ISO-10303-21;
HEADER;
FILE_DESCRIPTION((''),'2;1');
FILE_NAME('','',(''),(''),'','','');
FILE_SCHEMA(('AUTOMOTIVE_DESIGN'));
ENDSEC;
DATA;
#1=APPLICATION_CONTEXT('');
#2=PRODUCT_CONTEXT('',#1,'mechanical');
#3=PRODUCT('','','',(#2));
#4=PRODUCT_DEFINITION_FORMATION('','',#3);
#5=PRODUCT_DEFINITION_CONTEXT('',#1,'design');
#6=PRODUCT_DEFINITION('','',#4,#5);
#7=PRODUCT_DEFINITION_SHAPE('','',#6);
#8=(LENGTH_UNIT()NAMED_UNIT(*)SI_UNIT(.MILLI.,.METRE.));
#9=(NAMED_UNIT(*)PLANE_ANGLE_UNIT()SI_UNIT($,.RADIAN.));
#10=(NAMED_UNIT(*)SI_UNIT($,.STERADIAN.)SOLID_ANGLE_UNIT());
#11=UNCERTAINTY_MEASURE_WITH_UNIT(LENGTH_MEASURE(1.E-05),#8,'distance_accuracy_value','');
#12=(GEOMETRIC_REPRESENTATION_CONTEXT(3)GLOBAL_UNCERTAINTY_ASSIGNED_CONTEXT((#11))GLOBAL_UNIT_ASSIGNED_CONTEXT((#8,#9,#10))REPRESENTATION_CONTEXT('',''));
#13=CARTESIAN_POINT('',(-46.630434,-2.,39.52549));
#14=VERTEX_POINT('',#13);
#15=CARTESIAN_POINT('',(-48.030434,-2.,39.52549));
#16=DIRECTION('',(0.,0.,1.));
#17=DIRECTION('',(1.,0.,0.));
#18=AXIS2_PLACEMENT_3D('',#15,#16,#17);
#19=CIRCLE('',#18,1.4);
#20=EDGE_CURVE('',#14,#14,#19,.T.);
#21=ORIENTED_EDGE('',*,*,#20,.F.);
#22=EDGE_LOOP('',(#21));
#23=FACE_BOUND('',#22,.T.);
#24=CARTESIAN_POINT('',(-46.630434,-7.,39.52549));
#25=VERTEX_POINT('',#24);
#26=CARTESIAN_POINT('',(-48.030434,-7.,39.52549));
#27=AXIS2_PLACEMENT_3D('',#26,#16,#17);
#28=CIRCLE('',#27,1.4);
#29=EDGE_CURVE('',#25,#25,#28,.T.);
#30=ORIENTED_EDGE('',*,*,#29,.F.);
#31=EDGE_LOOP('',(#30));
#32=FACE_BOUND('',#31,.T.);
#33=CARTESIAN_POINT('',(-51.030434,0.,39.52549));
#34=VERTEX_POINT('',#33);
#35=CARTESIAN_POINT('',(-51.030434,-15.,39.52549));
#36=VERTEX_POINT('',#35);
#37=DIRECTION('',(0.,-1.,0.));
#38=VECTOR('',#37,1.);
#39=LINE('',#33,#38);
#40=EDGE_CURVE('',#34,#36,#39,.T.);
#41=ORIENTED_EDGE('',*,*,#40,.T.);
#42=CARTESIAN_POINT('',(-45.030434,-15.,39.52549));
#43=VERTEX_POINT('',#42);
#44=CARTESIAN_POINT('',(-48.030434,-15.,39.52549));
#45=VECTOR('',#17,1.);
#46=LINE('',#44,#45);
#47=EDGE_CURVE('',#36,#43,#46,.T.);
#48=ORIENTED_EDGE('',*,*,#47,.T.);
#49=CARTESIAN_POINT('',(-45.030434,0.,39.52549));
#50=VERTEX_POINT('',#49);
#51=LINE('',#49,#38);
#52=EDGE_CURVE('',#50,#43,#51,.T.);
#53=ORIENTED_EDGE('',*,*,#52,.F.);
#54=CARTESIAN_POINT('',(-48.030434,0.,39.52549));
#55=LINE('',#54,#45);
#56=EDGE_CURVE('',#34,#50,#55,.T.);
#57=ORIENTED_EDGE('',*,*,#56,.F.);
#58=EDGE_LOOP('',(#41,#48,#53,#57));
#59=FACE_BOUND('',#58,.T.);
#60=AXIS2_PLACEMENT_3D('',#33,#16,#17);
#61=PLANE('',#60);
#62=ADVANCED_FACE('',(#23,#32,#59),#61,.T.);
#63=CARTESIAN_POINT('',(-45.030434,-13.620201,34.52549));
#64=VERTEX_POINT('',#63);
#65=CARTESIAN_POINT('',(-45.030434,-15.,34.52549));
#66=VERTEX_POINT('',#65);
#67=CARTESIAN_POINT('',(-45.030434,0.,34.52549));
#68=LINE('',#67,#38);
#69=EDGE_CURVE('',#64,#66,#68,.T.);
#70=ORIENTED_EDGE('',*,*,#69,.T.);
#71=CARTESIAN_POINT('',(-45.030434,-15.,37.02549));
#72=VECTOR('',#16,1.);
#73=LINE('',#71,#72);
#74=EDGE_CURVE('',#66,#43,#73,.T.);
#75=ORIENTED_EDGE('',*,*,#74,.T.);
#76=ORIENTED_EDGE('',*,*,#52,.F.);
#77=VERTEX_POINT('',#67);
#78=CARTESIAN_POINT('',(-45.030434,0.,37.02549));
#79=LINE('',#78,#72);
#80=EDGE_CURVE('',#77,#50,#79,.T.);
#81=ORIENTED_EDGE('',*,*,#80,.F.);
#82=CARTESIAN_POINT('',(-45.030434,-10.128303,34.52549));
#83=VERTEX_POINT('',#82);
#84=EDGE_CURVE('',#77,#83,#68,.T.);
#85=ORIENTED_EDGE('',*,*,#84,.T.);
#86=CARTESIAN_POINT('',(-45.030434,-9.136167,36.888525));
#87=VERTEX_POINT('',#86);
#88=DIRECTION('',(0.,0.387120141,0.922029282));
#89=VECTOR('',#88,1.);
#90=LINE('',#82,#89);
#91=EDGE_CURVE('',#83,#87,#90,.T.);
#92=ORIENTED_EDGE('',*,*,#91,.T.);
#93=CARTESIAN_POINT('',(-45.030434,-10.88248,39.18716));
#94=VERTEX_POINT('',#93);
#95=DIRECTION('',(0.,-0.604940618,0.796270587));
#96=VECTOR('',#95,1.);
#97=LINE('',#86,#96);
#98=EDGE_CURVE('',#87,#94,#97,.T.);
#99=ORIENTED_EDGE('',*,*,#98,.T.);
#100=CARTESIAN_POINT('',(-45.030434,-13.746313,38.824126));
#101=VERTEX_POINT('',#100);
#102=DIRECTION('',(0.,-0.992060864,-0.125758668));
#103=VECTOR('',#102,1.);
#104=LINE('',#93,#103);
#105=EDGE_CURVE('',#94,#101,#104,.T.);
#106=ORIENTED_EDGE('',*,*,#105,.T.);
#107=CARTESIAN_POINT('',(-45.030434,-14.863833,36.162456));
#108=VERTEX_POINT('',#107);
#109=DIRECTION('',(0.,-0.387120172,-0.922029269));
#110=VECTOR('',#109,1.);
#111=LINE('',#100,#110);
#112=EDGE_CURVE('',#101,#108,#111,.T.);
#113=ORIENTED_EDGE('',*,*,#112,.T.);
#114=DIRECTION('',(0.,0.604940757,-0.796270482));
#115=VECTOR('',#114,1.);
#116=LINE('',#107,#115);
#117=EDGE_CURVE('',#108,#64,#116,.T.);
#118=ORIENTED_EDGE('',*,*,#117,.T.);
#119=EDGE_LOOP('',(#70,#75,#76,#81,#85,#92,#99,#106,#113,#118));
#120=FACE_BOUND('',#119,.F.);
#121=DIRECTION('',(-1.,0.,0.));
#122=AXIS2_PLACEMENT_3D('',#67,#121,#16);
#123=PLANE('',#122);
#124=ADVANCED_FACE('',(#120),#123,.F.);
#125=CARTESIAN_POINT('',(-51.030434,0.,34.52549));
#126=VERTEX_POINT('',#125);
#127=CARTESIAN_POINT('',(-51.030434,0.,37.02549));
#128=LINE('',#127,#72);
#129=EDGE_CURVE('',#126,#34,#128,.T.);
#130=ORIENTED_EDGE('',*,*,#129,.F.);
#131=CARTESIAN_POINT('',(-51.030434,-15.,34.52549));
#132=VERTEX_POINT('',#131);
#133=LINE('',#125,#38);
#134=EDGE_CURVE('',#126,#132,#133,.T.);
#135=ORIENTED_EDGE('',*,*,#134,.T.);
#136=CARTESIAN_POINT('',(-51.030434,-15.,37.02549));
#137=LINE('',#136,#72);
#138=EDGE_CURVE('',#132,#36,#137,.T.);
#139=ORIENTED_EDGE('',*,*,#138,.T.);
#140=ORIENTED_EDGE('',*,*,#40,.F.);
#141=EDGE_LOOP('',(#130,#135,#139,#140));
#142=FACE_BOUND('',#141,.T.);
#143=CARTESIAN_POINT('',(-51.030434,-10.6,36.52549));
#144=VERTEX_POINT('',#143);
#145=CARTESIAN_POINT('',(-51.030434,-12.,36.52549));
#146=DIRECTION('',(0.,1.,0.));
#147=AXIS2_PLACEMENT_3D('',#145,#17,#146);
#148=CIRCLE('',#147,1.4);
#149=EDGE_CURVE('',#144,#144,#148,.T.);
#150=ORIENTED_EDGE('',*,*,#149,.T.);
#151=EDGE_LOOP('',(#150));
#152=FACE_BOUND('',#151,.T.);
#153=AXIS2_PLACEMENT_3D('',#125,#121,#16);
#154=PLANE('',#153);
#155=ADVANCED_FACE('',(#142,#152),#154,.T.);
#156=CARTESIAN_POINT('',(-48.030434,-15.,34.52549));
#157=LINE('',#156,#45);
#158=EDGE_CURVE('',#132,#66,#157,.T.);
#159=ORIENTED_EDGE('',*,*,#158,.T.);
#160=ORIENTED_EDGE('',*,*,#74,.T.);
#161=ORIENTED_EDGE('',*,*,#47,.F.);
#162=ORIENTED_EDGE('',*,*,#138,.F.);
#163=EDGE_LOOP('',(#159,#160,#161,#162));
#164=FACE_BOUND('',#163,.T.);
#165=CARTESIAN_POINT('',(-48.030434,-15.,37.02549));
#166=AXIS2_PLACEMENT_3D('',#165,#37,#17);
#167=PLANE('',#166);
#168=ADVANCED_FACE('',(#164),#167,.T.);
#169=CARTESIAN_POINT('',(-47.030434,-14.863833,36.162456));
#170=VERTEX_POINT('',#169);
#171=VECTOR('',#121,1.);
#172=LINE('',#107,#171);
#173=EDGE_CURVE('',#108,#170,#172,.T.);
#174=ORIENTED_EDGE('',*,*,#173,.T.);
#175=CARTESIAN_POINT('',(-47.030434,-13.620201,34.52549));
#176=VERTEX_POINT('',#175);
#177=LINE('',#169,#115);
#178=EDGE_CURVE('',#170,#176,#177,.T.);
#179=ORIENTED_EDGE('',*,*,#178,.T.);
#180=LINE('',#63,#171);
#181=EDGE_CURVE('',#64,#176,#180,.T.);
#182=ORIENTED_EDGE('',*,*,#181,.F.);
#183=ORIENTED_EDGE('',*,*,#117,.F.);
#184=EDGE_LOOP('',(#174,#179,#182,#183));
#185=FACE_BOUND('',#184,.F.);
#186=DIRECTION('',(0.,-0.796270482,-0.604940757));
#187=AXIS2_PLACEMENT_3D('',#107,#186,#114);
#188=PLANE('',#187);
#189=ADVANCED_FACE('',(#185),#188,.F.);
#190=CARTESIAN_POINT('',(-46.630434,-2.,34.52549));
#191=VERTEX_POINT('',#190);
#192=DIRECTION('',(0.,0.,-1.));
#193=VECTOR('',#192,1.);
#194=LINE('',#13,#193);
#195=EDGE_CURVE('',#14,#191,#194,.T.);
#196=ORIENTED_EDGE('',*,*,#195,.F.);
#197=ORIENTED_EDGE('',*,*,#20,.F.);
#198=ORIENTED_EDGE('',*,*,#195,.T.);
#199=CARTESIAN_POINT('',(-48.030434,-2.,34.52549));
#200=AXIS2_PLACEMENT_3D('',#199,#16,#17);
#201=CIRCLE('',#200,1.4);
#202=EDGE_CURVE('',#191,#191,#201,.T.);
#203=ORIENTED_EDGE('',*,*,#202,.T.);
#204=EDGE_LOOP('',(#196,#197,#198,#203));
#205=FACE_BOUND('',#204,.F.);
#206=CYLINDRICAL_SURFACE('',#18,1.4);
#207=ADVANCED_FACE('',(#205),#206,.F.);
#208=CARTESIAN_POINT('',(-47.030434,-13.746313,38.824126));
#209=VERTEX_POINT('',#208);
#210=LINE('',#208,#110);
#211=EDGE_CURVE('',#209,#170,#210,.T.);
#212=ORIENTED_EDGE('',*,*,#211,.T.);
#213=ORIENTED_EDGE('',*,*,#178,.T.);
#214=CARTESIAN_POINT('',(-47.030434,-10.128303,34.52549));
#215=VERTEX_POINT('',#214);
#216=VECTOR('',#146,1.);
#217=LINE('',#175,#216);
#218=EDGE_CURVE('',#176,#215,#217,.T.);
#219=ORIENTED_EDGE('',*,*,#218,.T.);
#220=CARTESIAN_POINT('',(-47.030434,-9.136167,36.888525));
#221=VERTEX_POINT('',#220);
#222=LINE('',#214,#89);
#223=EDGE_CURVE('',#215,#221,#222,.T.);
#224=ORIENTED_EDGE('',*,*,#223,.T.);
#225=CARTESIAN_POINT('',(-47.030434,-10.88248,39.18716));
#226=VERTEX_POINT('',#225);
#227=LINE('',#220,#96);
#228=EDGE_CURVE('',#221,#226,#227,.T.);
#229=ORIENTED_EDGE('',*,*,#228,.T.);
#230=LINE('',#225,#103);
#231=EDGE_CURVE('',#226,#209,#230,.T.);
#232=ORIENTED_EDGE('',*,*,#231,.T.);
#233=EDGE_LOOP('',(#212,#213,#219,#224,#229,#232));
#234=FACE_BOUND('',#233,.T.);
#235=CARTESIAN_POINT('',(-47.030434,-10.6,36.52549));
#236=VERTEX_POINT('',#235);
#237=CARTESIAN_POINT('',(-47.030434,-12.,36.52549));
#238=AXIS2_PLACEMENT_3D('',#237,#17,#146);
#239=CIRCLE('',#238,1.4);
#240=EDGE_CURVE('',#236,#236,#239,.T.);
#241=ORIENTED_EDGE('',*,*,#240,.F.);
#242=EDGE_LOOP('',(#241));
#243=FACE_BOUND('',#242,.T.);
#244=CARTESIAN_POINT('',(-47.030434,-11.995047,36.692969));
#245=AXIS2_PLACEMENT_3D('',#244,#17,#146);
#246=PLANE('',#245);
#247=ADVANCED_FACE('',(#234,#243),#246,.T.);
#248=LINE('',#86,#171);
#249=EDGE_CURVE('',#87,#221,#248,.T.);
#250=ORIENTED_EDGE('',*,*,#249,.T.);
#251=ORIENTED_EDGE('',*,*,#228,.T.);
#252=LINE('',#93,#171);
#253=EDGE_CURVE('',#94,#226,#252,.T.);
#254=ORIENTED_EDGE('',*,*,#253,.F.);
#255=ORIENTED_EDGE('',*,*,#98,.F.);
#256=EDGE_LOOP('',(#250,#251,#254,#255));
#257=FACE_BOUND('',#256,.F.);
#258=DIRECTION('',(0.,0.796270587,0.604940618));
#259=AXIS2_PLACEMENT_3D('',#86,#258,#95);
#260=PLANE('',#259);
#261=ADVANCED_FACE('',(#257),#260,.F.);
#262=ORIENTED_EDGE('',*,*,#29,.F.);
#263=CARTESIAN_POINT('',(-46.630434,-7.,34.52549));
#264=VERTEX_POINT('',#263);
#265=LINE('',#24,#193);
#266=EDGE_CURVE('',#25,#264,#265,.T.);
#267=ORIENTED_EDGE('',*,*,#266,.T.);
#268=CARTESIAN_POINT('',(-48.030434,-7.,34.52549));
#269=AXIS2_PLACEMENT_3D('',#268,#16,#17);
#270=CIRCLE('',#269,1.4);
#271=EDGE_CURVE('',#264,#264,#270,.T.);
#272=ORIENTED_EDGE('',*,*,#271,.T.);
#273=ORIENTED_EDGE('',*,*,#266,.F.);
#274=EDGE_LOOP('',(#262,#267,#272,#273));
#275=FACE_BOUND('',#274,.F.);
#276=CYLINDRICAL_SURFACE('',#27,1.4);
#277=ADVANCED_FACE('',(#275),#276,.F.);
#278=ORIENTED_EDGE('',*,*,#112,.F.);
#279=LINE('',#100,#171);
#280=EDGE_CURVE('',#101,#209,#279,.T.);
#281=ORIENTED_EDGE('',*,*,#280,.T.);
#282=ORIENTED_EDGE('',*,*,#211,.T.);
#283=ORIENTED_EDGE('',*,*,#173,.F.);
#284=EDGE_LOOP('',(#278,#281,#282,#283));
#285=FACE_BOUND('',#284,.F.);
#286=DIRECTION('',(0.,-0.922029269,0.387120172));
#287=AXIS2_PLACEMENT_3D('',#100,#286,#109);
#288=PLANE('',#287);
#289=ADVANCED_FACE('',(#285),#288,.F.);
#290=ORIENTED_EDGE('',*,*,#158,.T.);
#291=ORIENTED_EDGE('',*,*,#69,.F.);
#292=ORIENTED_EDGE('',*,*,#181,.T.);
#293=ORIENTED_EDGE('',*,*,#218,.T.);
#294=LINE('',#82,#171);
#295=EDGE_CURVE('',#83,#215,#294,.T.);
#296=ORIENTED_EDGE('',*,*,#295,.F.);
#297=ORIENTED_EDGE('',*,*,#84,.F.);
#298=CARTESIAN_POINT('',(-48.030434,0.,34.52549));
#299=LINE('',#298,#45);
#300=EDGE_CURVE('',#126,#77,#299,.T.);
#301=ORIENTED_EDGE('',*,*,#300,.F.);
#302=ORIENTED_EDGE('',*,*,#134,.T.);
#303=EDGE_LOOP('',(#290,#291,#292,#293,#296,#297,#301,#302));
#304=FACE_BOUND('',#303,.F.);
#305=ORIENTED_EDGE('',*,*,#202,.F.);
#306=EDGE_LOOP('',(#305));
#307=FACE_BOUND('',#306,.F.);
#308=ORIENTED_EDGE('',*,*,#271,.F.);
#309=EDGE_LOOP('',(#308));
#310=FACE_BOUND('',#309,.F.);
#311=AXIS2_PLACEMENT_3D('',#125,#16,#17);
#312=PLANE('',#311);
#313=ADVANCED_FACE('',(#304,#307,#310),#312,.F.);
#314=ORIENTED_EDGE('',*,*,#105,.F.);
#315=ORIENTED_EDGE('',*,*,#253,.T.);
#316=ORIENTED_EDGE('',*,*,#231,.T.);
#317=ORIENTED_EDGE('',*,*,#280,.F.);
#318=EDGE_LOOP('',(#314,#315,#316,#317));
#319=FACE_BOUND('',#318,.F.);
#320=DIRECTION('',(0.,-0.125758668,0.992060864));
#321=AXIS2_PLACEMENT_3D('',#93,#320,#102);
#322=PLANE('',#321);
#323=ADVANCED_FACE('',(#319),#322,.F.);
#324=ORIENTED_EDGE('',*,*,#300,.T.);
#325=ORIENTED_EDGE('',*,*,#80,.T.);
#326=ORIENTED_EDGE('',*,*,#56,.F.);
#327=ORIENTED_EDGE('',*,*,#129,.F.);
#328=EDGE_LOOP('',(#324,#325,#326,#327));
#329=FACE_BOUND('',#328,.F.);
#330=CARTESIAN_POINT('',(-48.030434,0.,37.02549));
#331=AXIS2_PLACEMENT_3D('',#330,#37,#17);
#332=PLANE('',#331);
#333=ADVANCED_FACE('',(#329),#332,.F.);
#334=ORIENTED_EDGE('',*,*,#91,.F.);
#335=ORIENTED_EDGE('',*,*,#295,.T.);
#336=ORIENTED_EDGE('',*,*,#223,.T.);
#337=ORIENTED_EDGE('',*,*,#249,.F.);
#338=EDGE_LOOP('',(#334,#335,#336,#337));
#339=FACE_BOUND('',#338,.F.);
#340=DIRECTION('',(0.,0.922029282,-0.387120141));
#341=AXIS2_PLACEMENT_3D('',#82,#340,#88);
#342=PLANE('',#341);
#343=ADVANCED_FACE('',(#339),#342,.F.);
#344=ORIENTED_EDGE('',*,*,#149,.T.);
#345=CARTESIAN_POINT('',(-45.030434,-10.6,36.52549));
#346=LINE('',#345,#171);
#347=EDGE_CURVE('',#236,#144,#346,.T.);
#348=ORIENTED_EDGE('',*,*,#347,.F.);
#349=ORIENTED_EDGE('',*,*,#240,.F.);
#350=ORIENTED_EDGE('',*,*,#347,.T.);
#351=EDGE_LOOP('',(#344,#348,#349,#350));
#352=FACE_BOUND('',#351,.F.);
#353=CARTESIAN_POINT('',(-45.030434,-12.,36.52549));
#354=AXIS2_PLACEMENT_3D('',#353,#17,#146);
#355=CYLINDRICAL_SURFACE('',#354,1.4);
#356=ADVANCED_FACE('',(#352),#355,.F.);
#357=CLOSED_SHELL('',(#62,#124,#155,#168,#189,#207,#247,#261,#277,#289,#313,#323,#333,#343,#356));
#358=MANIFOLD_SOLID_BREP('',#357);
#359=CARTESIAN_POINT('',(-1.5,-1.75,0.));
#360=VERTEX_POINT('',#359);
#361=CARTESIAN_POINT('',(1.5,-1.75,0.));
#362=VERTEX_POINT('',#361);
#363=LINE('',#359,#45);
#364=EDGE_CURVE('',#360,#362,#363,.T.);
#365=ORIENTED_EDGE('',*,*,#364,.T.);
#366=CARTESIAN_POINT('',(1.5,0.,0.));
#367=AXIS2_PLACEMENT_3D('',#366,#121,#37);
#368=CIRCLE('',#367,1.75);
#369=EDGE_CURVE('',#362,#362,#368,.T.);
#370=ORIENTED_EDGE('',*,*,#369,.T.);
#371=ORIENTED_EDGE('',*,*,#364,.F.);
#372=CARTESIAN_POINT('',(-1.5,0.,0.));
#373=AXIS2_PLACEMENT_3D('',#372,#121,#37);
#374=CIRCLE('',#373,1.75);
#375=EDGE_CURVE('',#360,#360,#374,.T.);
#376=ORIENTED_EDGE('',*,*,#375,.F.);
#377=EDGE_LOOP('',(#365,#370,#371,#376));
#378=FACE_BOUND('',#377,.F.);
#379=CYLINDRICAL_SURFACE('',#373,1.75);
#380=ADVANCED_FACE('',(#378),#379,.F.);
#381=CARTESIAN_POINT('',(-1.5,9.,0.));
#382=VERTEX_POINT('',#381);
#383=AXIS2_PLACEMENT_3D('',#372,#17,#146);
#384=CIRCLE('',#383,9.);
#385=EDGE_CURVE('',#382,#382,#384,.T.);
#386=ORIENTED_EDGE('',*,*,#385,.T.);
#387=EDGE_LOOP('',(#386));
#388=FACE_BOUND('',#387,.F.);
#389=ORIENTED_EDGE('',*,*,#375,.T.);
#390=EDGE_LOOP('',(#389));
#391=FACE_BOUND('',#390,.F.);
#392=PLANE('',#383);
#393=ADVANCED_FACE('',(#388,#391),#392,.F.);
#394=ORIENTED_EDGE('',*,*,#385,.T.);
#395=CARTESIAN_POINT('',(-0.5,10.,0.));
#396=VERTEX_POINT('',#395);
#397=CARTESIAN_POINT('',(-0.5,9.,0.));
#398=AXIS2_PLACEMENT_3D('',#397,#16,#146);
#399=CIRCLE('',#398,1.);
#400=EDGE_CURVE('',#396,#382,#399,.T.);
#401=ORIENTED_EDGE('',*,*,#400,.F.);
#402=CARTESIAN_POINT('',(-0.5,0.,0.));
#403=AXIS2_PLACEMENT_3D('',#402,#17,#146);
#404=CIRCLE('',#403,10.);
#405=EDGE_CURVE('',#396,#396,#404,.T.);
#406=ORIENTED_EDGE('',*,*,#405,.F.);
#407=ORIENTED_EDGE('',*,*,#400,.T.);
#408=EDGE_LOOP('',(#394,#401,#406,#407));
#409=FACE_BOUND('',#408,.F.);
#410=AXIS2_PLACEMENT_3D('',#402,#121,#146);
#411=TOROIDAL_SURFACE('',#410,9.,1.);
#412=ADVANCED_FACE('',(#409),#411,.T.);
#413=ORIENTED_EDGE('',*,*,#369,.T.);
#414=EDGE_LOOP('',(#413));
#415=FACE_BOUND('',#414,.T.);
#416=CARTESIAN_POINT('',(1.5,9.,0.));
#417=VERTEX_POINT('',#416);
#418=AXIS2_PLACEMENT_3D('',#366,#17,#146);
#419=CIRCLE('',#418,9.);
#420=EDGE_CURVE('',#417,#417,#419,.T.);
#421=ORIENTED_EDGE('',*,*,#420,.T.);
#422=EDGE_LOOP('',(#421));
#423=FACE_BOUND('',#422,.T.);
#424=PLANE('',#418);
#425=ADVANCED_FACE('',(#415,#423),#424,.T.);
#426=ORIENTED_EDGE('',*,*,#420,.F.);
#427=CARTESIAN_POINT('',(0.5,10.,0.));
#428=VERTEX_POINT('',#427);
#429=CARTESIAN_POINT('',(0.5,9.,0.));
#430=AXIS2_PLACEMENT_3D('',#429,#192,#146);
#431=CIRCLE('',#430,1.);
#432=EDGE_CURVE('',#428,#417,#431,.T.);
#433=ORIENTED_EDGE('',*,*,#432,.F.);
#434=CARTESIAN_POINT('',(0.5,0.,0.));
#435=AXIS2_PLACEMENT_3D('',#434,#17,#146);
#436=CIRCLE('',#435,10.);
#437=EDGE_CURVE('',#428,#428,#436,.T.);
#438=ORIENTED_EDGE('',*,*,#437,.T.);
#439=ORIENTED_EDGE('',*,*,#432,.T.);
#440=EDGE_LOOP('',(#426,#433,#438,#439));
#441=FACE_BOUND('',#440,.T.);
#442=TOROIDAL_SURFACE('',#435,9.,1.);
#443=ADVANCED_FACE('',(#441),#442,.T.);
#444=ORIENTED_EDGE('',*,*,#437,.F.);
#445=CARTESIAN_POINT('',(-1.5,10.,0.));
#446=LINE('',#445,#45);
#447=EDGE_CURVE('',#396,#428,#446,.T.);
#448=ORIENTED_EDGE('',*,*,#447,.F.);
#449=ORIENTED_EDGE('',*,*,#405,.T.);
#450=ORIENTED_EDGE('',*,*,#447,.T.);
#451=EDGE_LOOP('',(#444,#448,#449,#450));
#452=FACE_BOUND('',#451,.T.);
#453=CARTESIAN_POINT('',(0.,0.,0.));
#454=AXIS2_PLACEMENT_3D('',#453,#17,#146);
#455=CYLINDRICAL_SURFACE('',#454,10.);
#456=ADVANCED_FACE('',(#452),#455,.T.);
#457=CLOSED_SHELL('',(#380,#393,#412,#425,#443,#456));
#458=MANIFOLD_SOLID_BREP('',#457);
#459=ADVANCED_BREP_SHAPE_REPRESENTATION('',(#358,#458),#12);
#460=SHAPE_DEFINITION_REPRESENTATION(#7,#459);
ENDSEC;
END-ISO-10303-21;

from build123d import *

# Parameters (mm, degrees)
F0_R      = 10
F1_DEPTH  = 1.5
F2_R      = 1.75
F3_DEPTH  = 3.001
F4_W      = 6
F4_H      = 5
F5_DEPTH  = 15
F6_R      = 1.4
F7_DEPTH  = 49.52649
F9_R      = 1
F8_R      = 1.4
F10_DEPTH = 6.001
F11_DEPTH = 2


with BuildPart() as f1:
    # F0 (on Right) → F1 (new body, symmetric)
    with BuildSketch(Plane.YZ):
        Circle(F0_R)
    extrude(amount=F1_DEPTH, both=True)

    # F2 (on face) → F3 (cut, through all)
    with BuildSketch(Plane(origin=(-1.5, 0, 0), x_dir=(0, -1, 0), z_dir=(-1, 0, 0))):
        Circle(F2_R)
    extrude(amount=-F3_DEPTH, mode=Mode.SUBTRACT)

    # F9
    f9_edges = [f1.edges().sort_by_distance(p)[0] for p in [
        (1.5, -10, 0),
        (-1.5, -10, 0),
    ]]
    fillet(f9_edges, radius=F9_R)


with BuildPart() as f5:
    # F4 (on Front) → F5 (new body)
    with BuildSketch(Plane.XZ):
        with Locations((-48.030434, 37.02549)):
            Rectangle(F4_W, F4_H)
    extrude(amount=F5_DEPTH)

    # F6 (on face) → F7 (cut, through all)
    with BuildSketch(Plane.XY.offset(39.52549)):
        with Locations((-48.030434, -2)):
            Circle(F6_R)
        with Locations((-48.030434, -7)):
            Circle(F6_R)
    extrude(amount=-F7_DEPTH, mode=Mode.SUBTRACT)

    # F8 (on face) → F10 (cut, through all)
    with BuildSketch(Plane.YZ.offset(-45.030434)):
        with Locations((-12, 36.52549)):
            Circle(F8_R)
    extrude(amount=-F10_DEPTH, mode=Mode.SUBTRACT)

    # F8 (on face) → F11 (cut)
    with BuildSketch(Plane.YZ.offset(-45.030434)):
        Polygon((-14.863833, 36.162456), (-13.620201, 34.52549), (-10.128303, 34.52549), (-9.136167, 36.888525), (-10.88248, 39.18716), (-13.746313, 38.824126), align=None)
        with Locations((-12, 36.52549)):
            Circle(F8_R, mode=Mode.SUBTRACT)
    extrude(amount=-F11_DEPTH, mode=Mode.SUBTRACT)


solid = Compound([f1.part, f5.part])
